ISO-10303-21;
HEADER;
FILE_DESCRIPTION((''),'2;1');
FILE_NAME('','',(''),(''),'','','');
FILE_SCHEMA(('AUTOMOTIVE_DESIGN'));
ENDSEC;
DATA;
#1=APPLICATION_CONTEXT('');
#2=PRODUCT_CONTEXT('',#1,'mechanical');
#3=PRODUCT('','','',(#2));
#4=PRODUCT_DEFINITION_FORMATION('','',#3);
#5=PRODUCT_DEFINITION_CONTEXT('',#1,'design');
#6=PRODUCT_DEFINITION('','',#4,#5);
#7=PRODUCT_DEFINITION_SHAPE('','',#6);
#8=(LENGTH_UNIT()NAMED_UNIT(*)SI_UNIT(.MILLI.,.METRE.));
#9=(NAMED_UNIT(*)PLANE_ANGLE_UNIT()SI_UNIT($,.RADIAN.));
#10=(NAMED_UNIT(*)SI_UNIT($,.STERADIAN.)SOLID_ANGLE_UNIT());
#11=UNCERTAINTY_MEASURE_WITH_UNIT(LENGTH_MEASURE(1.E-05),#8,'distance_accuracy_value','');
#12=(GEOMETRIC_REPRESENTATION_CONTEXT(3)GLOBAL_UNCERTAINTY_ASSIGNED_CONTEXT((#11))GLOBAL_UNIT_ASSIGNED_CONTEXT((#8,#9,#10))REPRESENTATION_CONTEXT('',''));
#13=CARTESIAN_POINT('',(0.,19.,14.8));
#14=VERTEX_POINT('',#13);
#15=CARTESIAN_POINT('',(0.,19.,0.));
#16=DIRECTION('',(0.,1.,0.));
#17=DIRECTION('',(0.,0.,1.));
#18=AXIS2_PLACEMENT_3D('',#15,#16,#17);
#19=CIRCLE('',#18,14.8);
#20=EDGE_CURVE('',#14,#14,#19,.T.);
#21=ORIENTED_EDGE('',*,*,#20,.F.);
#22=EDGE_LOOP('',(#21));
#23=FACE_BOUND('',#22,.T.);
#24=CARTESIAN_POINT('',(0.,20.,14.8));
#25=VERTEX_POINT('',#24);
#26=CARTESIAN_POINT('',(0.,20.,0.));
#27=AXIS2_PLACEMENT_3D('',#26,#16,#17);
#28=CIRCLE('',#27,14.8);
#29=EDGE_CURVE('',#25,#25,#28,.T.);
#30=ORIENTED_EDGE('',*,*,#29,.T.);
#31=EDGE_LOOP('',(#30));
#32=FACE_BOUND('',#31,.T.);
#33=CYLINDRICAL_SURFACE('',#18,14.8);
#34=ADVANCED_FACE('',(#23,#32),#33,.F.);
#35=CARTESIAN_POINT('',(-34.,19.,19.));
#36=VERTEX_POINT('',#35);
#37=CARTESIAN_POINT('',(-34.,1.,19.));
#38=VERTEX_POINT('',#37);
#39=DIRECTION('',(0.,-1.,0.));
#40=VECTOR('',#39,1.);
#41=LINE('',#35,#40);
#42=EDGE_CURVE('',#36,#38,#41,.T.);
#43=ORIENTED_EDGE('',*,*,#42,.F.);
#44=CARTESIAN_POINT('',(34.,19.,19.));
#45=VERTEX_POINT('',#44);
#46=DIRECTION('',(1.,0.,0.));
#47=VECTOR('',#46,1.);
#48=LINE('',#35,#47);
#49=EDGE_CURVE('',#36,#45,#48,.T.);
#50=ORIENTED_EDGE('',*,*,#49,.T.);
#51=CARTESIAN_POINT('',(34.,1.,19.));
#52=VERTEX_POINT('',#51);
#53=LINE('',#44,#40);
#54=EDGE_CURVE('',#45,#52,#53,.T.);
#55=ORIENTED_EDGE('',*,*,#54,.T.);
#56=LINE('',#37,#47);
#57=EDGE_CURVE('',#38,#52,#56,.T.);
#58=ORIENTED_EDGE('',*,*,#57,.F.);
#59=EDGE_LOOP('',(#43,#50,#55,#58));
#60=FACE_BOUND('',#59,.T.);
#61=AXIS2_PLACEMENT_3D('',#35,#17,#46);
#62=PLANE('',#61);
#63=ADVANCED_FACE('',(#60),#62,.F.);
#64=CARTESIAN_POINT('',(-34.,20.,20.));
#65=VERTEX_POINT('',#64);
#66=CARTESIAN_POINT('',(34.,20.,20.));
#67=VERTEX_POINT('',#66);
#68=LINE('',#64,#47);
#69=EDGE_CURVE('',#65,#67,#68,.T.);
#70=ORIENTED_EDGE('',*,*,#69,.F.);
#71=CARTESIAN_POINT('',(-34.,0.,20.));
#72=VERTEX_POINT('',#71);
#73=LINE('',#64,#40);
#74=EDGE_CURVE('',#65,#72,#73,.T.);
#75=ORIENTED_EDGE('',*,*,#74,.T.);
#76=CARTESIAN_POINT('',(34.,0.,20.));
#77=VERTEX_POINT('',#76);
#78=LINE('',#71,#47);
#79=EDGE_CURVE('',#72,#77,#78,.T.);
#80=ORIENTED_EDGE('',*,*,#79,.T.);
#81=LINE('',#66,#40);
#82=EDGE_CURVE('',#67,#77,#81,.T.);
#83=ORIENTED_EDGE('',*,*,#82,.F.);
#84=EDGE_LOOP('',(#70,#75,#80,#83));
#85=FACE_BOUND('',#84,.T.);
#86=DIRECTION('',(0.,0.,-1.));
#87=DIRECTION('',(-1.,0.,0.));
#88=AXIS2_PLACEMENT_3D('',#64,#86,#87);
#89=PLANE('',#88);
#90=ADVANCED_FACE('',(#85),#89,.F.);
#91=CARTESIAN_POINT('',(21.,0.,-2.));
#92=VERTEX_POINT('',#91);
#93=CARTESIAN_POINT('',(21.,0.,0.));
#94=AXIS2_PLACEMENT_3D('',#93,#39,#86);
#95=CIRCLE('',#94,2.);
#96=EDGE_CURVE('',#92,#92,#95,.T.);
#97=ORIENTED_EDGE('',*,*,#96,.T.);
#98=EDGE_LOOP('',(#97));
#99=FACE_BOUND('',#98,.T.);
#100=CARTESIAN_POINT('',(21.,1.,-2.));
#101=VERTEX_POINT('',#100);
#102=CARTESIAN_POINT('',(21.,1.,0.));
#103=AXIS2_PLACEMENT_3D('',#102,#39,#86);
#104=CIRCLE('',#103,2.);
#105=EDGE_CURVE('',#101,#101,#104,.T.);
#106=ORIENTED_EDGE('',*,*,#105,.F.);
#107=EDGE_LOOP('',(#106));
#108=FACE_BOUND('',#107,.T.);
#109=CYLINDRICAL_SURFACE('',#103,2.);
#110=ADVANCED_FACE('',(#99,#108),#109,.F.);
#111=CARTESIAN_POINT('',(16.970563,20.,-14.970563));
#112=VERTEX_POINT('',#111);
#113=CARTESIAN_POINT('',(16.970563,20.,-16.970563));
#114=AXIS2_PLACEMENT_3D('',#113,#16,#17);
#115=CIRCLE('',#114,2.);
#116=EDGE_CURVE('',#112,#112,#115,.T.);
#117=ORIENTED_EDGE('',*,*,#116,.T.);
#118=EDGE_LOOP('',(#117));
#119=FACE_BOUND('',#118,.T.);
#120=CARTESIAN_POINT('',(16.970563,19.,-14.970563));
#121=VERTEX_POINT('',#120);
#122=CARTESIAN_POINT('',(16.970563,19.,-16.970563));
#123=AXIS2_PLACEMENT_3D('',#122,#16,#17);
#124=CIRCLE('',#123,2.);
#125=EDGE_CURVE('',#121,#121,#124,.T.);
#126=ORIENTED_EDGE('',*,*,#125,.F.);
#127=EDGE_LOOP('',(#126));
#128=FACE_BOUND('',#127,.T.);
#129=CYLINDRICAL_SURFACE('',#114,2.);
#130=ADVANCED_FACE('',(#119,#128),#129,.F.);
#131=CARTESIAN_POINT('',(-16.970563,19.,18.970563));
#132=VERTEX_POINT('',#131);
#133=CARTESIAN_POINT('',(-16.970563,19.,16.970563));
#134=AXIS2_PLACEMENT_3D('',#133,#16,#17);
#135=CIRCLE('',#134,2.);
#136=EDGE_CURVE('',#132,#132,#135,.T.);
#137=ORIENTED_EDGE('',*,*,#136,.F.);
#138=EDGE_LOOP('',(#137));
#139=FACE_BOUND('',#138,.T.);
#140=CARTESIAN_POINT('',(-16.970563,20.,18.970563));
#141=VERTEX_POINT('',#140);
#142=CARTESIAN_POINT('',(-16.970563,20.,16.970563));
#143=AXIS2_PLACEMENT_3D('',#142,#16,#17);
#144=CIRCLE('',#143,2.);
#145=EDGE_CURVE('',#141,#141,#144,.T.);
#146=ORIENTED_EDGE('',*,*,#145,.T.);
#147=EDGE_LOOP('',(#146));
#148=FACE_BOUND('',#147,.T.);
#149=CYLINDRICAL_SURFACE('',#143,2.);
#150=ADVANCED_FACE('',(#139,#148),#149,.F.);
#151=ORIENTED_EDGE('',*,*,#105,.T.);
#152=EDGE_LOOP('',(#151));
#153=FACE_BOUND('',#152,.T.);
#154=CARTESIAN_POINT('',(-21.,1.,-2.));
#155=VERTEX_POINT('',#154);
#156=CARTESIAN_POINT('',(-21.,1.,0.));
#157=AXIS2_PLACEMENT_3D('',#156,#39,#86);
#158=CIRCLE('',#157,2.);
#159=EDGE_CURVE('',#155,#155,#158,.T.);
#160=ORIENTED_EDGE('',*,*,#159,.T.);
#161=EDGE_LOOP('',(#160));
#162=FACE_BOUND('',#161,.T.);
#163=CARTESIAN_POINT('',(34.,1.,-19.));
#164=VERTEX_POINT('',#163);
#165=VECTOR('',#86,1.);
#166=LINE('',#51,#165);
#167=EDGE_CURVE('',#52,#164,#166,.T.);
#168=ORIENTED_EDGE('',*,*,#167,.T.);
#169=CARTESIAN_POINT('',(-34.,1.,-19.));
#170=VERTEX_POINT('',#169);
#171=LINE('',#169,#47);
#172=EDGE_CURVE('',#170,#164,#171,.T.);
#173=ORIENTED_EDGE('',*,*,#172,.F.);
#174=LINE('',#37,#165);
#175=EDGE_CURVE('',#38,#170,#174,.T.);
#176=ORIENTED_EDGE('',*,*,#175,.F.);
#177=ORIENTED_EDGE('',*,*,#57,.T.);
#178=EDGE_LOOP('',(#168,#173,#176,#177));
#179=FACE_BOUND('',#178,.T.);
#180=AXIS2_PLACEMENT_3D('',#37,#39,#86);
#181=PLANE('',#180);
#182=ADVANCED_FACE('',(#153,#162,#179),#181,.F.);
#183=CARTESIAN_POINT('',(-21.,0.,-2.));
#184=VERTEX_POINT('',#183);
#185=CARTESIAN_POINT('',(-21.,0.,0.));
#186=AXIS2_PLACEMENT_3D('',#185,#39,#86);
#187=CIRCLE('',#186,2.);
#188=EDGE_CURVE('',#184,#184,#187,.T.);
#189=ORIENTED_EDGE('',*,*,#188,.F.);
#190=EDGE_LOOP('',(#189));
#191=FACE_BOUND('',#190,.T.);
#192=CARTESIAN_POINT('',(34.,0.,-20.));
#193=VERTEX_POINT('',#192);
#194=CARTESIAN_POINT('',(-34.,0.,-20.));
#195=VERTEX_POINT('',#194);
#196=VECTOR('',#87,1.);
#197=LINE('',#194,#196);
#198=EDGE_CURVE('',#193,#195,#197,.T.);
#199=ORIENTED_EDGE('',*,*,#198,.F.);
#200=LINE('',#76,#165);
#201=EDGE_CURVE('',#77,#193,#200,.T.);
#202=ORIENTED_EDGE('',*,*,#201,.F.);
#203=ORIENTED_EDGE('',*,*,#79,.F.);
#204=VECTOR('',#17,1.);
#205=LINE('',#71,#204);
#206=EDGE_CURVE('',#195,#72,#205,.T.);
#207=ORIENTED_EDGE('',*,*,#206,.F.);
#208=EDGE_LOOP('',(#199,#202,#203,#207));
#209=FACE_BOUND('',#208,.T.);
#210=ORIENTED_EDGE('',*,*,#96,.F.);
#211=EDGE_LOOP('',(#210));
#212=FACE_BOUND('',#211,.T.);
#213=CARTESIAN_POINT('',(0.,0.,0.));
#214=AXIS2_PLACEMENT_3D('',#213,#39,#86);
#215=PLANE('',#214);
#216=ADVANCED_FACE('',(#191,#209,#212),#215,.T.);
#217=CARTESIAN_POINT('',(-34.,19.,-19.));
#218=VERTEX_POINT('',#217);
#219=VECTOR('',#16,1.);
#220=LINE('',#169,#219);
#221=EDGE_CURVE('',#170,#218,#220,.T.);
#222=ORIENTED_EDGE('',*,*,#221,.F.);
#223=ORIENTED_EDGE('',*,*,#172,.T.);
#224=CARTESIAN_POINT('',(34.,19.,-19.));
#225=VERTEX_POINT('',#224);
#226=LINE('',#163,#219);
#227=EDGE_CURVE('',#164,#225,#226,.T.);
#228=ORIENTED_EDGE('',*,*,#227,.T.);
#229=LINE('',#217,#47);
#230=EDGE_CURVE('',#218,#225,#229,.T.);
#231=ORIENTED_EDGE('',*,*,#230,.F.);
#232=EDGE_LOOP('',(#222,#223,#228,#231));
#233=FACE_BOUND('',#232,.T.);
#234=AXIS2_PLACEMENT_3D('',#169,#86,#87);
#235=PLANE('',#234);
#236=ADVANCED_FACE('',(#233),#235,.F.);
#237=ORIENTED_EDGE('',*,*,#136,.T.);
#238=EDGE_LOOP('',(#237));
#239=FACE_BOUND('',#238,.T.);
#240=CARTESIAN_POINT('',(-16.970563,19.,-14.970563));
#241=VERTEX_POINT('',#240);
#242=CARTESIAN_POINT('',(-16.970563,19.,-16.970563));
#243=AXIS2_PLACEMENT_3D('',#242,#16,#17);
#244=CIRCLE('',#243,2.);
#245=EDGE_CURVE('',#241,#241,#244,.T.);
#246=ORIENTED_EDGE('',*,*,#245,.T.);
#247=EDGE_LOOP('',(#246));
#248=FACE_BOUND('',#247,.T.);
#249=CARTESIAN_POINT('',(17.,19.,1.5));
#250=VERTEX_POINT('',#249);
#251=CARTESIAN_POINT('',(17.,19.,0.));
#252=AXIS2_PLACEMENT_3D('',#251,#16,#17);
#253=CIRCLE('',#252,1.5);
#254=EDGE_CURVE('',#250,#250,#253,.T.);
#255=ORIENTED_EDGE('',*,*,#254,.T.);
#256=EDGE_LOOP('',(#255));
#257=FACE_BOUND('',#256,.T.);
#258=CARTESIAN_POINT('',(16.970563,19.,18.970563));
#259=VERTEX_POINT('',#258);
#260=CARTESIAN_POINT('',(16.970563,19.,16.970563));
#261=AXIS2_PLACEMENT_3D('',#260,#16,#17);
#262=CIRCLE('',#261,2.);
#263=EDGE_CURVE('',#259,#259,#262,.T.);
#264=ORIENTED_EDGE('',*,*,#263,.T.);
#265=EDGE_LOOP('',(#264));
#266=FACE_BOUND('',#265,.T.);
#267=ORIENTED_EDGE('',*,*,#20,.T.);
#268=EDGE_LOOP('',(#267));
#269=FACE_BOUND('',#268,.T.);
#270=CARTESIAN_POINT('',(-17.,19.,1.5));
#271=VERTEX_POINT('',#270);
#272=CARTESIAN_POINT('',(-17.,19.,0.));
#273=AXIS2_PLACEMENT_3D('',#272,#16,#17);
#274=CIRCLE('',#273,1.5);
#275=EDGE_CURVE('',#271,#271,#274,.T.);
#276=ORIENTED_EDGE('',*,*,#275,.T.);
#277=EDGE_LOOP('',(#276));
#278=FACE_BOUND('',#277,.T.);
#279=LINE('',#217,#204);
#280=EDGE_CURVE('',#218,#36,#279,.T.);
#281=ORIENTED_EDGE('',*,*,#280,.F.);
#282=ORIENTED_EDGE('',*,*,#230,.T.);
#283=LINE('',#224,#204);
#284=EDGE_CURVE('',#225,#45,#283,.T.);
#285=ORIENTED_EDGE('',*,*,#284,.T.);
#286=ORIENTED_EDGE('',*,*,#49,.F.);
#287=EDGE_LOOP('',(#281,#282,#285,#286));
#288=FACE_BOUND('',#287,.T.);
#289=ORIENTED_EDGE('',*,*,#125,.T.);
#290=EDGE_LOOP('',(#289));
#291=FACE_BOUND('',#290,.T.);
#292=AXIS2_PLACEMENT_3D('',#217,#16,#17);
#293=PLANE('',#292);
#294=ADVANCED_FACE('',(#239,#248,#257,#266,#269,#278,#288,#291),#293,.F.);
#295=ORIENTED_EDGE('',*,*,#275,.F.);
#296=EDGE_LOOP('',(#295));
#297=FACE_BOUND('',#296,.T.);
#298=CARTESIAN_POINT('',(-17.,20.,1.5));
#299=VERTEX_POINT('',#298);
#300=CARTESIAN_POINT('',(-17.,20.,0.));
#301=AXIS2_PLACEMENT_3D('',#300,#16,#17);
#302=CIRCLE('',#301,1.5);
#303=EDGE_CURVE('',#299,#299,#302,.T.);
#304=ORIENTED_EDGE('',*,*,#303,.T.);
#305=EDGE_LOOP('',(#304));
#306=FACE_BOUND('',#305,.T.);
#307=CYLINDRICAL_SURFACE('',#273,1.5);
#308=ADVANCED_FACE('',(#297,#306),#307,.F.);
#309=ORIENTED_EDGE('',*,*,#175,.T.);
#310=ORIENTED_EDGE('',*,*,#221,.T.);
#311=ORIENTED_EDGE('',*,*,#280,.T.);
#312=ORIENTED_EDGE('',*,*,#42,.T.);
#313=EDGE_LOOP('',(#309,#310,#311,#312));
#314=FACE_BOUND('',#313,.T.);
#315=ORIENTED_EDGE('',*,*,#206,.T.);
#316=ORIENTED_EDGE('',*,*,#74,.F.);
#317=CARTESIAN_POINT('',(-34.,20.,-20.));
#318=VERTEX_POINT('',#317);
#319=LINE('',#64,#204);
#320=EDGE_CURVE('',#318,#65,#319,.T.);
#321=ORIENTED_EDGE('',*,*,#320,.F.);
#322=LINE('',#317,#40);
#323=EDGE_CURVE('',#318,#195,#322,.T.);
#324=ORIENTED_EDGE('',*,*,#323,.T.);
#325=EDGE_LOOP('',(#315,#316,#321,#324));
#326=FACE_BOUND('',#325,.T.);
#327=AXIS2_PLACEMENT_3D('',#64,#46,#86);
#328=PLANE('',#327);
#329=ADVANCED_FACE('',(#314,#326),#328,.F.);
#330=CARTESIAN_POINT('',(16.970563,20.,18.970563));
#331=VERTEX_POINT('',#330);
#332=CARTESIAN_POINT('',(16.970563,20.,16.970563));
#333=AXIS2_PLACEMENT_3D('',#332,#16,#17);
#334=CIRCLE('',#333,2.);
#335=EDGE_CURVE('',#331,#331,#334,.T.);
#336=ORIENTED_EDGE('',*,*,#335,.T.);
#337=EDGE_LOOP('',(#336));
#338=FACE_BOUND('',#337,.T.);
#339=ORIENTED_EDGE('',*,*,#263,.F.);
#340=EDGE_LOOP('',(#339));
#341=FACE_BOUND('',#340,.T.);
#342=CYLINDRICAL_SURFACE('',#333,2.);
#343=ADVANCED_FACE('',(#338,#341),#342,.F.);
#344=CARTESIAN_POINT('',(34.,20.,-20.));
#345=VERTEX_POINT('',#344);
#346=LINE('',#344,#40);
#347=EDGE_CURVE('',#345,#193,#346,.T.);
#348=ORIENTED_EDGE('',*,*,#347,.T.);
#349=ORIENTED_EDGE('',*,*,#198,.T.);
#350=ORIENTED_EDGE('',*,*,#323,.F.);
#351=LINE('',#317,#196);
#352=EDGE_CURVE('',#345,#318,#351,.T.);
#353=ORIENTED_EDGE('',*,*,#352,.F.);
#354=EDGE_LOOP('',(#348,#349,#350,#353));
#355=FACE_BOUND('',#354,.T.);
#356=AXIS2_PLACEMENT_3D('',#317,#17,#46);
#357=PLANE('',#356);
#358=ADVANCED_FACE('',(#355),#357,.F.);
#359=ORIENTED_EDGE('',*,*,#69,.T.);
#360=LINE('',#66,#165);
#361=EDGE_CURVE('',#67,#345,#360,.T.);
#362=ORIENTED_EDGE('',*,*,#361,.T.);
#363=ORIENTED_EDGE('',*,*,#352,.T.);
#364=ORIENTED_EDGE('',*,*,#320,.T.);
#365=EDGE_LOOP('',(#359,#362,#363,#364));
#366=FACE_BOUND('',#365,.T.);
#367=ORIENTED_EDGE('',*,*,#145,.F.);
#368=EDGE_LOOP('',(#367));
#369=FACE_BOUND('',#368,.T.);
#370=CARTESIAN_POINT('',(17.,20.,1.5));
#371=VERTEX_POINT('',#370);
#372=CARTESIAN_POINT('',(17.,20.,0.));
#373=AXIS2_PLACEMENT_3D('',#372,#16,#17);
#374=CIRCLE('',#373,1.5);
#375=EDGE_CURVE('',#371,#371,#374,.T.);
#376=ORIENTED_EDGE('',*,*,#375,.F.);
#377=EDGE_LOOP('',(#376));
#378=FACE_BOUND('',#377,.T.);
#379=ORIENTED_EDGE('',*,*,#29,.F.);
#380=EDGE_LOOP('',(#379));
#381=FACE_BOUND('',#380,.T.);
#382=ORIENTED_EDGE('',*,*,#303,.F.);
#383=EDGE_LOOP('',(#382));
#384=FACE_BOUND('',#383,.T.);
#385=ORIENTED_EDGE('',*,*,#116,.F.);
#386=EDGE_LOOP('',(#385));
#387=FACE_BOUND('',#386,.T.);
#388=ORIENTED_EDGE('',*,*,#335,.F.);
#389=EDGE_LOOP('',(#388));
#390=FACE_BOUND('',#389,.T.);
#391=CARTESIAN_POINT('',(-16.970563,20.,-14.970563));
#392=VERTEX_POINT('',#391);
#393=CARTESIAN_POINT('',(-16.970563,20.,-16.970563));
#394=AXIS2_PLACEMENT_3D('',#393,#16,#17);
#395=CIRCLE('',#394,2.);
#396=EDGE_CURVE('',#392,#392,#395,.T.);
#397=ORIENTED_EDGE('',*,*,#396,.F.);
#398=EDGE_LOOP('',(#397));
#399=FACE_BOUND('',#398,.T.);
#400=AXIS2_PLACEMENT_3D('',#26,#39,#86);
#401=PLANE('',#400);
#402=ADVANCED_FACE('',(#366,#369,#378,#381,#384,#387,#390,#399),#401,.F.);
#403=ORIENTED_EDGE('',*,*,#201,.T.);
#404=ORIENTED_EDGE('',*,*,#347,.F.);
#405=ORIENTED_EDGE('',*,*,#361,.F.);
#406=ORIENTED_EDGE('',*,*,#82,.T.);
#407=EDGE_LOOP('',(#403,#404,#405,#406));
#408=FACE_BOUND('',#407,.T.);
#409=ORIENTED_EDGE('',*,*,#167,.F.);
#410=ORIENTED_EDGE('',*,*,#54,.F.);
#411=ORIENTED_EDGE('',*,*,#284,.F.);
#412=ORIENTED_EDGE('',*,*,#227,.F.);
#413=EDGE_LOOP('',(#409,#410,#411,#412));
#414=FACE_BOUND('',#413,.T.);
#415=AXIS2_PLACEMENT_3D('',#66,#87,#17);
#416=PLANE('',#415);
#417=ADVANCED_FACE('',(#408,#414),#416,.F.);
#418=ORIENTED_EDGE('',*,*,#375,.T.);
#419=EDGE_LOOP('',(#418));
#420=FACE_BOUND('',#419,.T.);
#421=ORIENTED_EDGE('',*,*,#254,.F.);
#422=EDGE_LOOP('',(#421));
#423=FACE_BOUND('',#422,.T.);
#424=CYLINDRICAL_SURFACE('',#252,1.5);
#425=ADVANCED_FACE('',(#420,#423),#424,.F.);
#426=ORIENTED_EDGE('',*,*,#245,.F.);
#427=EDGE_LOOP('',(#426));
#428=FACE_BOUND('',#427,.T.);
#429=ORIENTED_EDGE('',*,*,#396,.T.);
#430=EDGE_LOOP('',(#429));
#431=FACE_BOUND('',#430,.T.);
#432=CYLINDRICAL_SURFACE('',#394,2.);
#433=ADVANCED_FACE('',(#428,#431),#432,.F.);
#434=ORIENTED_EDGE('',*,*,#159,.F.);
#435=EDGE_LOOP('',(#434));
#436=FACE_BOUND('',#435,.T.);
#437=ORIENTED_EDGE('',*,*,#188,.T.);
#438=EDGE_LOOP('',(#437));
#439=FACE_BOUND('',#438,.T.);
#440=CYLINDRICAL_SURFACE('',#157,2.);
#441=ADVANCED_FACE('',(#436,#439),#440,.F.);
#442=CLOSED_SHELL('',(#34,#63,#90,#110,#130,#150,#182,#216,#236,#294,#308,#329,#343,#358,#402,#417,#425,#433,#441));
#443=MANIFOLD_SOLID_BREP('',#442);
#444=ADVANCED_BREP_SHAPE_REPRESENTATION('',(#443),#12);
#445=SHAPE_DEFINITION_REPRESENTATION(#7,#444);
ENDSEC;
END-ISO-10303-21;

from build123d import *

# Parameters (mm, degrees)
SKETCH_1_W          = 68
SKETCH_1_H          = 40
EXTRUDE_1_DEPTH     = 20
SKETCH_2_W          = 38
SKETCH_2_H          = 18
CUT_EXTRUDE_1_DEPTH = 74.647810558
SKETCH_3_R          = 2
CUT_EXTRUDE_2_DEPTH = 1
SKETCH_4_R          = 14.8
SKETCH_4_R_2        = 1.5
CUT_EXTRUDE_3_DEPTH = 1
MM_PRESS_1_D        = 4
MM_PRESS_1_DEPTH    = 1
MM_PRESS_1_TIP      = 1.201721238


with BuildPart() as part:
    # 草图1 → 凸台-拉伸1 (new body)
    with BuildSketch(Plane(origin=(0, 0, 0), x_dir=(1, 0, 0), z_dir=(0, 1, 0))):
        Rectangle(SKETCH_1_W, SKETCH_1_H)
    extrude(amount=EXTRUDE_1_DEPTH)

    # 草图2 → 切除-拉伸1 (cut, through all)
    with BuildSketch(Plane(origin=(34, 0, 0), x_dir=(0, 0, -1), z_dir=(1, 0, 0))):
        with Locations((0, 10)):
            Rectangle(SKETCH_2_W, SKETCH_2_H)
    extrude(amount=-CUT_EXTRUDE_1_DEPTH, mode=Mode.SUBTRACT)

    # 草图3 → 切除-拉伸2 (cut)
    with BuildSketch(Plane.XZ):
        with Locations(Location((-21, 0, 0), (0, 0, 270))):
            Circle(SKETCH_3_R)
        with Locations(Location((21, 0, 0), (0, 0, 270))):
            Circle(SKETCH_3_R)
    extrude(amount=-CUT_EXTRUDE_2_DEPTH, mode=Mode.SUBTRACT)

    # 草图4 → 切除-拉伸3 (cut)
    with BuildSketch(Plane(origin=(0, 20, 0), x_dir=(1, 0, 0), z_dir=(0, 1, 0))):
        with Locations(Location((0, 0, 0), (0, 0, 270))):
            Circle(SKETCH_4_R)
        with Locations(Location((-17, 0, 0), (0, 0, 270))):
            Circle(SKETCH_4_R_2)
        with Locations(Location((17, 0, 0), (0, 0, 270))):
            Circle(SKETCH_4_R_2)
    extrude(amount=-CUT_EXTRUDE_3_DEPTH, mode=Mode.SUBTRACT)

    # 大小mm Press 暗销孔1
    with Locations(Plane(origin=(16.970562748, 20, 16.970562748), x_dir=(0, 0, 1), z_dir=(0, 1, 0))):
        with Locations((0, 0), (0, -33.941125496), (-33.941125496, -33.941125496), (-33.941125496, 0)):
            Hole(MM_PRESS_1_D / 2, depth=MM_PRESS_1_DEPTH)
            with Locations((0, 0, -(MM_PRESS_1_DEPTH + MM_PRESS_1_TIP / 2))):  # 118° drill point
                Cone(0, MM_PRESS_1_D / 2, MM_PRESS_1_TIP, mode=Mode.SUBTRACT)


solid = part.part
